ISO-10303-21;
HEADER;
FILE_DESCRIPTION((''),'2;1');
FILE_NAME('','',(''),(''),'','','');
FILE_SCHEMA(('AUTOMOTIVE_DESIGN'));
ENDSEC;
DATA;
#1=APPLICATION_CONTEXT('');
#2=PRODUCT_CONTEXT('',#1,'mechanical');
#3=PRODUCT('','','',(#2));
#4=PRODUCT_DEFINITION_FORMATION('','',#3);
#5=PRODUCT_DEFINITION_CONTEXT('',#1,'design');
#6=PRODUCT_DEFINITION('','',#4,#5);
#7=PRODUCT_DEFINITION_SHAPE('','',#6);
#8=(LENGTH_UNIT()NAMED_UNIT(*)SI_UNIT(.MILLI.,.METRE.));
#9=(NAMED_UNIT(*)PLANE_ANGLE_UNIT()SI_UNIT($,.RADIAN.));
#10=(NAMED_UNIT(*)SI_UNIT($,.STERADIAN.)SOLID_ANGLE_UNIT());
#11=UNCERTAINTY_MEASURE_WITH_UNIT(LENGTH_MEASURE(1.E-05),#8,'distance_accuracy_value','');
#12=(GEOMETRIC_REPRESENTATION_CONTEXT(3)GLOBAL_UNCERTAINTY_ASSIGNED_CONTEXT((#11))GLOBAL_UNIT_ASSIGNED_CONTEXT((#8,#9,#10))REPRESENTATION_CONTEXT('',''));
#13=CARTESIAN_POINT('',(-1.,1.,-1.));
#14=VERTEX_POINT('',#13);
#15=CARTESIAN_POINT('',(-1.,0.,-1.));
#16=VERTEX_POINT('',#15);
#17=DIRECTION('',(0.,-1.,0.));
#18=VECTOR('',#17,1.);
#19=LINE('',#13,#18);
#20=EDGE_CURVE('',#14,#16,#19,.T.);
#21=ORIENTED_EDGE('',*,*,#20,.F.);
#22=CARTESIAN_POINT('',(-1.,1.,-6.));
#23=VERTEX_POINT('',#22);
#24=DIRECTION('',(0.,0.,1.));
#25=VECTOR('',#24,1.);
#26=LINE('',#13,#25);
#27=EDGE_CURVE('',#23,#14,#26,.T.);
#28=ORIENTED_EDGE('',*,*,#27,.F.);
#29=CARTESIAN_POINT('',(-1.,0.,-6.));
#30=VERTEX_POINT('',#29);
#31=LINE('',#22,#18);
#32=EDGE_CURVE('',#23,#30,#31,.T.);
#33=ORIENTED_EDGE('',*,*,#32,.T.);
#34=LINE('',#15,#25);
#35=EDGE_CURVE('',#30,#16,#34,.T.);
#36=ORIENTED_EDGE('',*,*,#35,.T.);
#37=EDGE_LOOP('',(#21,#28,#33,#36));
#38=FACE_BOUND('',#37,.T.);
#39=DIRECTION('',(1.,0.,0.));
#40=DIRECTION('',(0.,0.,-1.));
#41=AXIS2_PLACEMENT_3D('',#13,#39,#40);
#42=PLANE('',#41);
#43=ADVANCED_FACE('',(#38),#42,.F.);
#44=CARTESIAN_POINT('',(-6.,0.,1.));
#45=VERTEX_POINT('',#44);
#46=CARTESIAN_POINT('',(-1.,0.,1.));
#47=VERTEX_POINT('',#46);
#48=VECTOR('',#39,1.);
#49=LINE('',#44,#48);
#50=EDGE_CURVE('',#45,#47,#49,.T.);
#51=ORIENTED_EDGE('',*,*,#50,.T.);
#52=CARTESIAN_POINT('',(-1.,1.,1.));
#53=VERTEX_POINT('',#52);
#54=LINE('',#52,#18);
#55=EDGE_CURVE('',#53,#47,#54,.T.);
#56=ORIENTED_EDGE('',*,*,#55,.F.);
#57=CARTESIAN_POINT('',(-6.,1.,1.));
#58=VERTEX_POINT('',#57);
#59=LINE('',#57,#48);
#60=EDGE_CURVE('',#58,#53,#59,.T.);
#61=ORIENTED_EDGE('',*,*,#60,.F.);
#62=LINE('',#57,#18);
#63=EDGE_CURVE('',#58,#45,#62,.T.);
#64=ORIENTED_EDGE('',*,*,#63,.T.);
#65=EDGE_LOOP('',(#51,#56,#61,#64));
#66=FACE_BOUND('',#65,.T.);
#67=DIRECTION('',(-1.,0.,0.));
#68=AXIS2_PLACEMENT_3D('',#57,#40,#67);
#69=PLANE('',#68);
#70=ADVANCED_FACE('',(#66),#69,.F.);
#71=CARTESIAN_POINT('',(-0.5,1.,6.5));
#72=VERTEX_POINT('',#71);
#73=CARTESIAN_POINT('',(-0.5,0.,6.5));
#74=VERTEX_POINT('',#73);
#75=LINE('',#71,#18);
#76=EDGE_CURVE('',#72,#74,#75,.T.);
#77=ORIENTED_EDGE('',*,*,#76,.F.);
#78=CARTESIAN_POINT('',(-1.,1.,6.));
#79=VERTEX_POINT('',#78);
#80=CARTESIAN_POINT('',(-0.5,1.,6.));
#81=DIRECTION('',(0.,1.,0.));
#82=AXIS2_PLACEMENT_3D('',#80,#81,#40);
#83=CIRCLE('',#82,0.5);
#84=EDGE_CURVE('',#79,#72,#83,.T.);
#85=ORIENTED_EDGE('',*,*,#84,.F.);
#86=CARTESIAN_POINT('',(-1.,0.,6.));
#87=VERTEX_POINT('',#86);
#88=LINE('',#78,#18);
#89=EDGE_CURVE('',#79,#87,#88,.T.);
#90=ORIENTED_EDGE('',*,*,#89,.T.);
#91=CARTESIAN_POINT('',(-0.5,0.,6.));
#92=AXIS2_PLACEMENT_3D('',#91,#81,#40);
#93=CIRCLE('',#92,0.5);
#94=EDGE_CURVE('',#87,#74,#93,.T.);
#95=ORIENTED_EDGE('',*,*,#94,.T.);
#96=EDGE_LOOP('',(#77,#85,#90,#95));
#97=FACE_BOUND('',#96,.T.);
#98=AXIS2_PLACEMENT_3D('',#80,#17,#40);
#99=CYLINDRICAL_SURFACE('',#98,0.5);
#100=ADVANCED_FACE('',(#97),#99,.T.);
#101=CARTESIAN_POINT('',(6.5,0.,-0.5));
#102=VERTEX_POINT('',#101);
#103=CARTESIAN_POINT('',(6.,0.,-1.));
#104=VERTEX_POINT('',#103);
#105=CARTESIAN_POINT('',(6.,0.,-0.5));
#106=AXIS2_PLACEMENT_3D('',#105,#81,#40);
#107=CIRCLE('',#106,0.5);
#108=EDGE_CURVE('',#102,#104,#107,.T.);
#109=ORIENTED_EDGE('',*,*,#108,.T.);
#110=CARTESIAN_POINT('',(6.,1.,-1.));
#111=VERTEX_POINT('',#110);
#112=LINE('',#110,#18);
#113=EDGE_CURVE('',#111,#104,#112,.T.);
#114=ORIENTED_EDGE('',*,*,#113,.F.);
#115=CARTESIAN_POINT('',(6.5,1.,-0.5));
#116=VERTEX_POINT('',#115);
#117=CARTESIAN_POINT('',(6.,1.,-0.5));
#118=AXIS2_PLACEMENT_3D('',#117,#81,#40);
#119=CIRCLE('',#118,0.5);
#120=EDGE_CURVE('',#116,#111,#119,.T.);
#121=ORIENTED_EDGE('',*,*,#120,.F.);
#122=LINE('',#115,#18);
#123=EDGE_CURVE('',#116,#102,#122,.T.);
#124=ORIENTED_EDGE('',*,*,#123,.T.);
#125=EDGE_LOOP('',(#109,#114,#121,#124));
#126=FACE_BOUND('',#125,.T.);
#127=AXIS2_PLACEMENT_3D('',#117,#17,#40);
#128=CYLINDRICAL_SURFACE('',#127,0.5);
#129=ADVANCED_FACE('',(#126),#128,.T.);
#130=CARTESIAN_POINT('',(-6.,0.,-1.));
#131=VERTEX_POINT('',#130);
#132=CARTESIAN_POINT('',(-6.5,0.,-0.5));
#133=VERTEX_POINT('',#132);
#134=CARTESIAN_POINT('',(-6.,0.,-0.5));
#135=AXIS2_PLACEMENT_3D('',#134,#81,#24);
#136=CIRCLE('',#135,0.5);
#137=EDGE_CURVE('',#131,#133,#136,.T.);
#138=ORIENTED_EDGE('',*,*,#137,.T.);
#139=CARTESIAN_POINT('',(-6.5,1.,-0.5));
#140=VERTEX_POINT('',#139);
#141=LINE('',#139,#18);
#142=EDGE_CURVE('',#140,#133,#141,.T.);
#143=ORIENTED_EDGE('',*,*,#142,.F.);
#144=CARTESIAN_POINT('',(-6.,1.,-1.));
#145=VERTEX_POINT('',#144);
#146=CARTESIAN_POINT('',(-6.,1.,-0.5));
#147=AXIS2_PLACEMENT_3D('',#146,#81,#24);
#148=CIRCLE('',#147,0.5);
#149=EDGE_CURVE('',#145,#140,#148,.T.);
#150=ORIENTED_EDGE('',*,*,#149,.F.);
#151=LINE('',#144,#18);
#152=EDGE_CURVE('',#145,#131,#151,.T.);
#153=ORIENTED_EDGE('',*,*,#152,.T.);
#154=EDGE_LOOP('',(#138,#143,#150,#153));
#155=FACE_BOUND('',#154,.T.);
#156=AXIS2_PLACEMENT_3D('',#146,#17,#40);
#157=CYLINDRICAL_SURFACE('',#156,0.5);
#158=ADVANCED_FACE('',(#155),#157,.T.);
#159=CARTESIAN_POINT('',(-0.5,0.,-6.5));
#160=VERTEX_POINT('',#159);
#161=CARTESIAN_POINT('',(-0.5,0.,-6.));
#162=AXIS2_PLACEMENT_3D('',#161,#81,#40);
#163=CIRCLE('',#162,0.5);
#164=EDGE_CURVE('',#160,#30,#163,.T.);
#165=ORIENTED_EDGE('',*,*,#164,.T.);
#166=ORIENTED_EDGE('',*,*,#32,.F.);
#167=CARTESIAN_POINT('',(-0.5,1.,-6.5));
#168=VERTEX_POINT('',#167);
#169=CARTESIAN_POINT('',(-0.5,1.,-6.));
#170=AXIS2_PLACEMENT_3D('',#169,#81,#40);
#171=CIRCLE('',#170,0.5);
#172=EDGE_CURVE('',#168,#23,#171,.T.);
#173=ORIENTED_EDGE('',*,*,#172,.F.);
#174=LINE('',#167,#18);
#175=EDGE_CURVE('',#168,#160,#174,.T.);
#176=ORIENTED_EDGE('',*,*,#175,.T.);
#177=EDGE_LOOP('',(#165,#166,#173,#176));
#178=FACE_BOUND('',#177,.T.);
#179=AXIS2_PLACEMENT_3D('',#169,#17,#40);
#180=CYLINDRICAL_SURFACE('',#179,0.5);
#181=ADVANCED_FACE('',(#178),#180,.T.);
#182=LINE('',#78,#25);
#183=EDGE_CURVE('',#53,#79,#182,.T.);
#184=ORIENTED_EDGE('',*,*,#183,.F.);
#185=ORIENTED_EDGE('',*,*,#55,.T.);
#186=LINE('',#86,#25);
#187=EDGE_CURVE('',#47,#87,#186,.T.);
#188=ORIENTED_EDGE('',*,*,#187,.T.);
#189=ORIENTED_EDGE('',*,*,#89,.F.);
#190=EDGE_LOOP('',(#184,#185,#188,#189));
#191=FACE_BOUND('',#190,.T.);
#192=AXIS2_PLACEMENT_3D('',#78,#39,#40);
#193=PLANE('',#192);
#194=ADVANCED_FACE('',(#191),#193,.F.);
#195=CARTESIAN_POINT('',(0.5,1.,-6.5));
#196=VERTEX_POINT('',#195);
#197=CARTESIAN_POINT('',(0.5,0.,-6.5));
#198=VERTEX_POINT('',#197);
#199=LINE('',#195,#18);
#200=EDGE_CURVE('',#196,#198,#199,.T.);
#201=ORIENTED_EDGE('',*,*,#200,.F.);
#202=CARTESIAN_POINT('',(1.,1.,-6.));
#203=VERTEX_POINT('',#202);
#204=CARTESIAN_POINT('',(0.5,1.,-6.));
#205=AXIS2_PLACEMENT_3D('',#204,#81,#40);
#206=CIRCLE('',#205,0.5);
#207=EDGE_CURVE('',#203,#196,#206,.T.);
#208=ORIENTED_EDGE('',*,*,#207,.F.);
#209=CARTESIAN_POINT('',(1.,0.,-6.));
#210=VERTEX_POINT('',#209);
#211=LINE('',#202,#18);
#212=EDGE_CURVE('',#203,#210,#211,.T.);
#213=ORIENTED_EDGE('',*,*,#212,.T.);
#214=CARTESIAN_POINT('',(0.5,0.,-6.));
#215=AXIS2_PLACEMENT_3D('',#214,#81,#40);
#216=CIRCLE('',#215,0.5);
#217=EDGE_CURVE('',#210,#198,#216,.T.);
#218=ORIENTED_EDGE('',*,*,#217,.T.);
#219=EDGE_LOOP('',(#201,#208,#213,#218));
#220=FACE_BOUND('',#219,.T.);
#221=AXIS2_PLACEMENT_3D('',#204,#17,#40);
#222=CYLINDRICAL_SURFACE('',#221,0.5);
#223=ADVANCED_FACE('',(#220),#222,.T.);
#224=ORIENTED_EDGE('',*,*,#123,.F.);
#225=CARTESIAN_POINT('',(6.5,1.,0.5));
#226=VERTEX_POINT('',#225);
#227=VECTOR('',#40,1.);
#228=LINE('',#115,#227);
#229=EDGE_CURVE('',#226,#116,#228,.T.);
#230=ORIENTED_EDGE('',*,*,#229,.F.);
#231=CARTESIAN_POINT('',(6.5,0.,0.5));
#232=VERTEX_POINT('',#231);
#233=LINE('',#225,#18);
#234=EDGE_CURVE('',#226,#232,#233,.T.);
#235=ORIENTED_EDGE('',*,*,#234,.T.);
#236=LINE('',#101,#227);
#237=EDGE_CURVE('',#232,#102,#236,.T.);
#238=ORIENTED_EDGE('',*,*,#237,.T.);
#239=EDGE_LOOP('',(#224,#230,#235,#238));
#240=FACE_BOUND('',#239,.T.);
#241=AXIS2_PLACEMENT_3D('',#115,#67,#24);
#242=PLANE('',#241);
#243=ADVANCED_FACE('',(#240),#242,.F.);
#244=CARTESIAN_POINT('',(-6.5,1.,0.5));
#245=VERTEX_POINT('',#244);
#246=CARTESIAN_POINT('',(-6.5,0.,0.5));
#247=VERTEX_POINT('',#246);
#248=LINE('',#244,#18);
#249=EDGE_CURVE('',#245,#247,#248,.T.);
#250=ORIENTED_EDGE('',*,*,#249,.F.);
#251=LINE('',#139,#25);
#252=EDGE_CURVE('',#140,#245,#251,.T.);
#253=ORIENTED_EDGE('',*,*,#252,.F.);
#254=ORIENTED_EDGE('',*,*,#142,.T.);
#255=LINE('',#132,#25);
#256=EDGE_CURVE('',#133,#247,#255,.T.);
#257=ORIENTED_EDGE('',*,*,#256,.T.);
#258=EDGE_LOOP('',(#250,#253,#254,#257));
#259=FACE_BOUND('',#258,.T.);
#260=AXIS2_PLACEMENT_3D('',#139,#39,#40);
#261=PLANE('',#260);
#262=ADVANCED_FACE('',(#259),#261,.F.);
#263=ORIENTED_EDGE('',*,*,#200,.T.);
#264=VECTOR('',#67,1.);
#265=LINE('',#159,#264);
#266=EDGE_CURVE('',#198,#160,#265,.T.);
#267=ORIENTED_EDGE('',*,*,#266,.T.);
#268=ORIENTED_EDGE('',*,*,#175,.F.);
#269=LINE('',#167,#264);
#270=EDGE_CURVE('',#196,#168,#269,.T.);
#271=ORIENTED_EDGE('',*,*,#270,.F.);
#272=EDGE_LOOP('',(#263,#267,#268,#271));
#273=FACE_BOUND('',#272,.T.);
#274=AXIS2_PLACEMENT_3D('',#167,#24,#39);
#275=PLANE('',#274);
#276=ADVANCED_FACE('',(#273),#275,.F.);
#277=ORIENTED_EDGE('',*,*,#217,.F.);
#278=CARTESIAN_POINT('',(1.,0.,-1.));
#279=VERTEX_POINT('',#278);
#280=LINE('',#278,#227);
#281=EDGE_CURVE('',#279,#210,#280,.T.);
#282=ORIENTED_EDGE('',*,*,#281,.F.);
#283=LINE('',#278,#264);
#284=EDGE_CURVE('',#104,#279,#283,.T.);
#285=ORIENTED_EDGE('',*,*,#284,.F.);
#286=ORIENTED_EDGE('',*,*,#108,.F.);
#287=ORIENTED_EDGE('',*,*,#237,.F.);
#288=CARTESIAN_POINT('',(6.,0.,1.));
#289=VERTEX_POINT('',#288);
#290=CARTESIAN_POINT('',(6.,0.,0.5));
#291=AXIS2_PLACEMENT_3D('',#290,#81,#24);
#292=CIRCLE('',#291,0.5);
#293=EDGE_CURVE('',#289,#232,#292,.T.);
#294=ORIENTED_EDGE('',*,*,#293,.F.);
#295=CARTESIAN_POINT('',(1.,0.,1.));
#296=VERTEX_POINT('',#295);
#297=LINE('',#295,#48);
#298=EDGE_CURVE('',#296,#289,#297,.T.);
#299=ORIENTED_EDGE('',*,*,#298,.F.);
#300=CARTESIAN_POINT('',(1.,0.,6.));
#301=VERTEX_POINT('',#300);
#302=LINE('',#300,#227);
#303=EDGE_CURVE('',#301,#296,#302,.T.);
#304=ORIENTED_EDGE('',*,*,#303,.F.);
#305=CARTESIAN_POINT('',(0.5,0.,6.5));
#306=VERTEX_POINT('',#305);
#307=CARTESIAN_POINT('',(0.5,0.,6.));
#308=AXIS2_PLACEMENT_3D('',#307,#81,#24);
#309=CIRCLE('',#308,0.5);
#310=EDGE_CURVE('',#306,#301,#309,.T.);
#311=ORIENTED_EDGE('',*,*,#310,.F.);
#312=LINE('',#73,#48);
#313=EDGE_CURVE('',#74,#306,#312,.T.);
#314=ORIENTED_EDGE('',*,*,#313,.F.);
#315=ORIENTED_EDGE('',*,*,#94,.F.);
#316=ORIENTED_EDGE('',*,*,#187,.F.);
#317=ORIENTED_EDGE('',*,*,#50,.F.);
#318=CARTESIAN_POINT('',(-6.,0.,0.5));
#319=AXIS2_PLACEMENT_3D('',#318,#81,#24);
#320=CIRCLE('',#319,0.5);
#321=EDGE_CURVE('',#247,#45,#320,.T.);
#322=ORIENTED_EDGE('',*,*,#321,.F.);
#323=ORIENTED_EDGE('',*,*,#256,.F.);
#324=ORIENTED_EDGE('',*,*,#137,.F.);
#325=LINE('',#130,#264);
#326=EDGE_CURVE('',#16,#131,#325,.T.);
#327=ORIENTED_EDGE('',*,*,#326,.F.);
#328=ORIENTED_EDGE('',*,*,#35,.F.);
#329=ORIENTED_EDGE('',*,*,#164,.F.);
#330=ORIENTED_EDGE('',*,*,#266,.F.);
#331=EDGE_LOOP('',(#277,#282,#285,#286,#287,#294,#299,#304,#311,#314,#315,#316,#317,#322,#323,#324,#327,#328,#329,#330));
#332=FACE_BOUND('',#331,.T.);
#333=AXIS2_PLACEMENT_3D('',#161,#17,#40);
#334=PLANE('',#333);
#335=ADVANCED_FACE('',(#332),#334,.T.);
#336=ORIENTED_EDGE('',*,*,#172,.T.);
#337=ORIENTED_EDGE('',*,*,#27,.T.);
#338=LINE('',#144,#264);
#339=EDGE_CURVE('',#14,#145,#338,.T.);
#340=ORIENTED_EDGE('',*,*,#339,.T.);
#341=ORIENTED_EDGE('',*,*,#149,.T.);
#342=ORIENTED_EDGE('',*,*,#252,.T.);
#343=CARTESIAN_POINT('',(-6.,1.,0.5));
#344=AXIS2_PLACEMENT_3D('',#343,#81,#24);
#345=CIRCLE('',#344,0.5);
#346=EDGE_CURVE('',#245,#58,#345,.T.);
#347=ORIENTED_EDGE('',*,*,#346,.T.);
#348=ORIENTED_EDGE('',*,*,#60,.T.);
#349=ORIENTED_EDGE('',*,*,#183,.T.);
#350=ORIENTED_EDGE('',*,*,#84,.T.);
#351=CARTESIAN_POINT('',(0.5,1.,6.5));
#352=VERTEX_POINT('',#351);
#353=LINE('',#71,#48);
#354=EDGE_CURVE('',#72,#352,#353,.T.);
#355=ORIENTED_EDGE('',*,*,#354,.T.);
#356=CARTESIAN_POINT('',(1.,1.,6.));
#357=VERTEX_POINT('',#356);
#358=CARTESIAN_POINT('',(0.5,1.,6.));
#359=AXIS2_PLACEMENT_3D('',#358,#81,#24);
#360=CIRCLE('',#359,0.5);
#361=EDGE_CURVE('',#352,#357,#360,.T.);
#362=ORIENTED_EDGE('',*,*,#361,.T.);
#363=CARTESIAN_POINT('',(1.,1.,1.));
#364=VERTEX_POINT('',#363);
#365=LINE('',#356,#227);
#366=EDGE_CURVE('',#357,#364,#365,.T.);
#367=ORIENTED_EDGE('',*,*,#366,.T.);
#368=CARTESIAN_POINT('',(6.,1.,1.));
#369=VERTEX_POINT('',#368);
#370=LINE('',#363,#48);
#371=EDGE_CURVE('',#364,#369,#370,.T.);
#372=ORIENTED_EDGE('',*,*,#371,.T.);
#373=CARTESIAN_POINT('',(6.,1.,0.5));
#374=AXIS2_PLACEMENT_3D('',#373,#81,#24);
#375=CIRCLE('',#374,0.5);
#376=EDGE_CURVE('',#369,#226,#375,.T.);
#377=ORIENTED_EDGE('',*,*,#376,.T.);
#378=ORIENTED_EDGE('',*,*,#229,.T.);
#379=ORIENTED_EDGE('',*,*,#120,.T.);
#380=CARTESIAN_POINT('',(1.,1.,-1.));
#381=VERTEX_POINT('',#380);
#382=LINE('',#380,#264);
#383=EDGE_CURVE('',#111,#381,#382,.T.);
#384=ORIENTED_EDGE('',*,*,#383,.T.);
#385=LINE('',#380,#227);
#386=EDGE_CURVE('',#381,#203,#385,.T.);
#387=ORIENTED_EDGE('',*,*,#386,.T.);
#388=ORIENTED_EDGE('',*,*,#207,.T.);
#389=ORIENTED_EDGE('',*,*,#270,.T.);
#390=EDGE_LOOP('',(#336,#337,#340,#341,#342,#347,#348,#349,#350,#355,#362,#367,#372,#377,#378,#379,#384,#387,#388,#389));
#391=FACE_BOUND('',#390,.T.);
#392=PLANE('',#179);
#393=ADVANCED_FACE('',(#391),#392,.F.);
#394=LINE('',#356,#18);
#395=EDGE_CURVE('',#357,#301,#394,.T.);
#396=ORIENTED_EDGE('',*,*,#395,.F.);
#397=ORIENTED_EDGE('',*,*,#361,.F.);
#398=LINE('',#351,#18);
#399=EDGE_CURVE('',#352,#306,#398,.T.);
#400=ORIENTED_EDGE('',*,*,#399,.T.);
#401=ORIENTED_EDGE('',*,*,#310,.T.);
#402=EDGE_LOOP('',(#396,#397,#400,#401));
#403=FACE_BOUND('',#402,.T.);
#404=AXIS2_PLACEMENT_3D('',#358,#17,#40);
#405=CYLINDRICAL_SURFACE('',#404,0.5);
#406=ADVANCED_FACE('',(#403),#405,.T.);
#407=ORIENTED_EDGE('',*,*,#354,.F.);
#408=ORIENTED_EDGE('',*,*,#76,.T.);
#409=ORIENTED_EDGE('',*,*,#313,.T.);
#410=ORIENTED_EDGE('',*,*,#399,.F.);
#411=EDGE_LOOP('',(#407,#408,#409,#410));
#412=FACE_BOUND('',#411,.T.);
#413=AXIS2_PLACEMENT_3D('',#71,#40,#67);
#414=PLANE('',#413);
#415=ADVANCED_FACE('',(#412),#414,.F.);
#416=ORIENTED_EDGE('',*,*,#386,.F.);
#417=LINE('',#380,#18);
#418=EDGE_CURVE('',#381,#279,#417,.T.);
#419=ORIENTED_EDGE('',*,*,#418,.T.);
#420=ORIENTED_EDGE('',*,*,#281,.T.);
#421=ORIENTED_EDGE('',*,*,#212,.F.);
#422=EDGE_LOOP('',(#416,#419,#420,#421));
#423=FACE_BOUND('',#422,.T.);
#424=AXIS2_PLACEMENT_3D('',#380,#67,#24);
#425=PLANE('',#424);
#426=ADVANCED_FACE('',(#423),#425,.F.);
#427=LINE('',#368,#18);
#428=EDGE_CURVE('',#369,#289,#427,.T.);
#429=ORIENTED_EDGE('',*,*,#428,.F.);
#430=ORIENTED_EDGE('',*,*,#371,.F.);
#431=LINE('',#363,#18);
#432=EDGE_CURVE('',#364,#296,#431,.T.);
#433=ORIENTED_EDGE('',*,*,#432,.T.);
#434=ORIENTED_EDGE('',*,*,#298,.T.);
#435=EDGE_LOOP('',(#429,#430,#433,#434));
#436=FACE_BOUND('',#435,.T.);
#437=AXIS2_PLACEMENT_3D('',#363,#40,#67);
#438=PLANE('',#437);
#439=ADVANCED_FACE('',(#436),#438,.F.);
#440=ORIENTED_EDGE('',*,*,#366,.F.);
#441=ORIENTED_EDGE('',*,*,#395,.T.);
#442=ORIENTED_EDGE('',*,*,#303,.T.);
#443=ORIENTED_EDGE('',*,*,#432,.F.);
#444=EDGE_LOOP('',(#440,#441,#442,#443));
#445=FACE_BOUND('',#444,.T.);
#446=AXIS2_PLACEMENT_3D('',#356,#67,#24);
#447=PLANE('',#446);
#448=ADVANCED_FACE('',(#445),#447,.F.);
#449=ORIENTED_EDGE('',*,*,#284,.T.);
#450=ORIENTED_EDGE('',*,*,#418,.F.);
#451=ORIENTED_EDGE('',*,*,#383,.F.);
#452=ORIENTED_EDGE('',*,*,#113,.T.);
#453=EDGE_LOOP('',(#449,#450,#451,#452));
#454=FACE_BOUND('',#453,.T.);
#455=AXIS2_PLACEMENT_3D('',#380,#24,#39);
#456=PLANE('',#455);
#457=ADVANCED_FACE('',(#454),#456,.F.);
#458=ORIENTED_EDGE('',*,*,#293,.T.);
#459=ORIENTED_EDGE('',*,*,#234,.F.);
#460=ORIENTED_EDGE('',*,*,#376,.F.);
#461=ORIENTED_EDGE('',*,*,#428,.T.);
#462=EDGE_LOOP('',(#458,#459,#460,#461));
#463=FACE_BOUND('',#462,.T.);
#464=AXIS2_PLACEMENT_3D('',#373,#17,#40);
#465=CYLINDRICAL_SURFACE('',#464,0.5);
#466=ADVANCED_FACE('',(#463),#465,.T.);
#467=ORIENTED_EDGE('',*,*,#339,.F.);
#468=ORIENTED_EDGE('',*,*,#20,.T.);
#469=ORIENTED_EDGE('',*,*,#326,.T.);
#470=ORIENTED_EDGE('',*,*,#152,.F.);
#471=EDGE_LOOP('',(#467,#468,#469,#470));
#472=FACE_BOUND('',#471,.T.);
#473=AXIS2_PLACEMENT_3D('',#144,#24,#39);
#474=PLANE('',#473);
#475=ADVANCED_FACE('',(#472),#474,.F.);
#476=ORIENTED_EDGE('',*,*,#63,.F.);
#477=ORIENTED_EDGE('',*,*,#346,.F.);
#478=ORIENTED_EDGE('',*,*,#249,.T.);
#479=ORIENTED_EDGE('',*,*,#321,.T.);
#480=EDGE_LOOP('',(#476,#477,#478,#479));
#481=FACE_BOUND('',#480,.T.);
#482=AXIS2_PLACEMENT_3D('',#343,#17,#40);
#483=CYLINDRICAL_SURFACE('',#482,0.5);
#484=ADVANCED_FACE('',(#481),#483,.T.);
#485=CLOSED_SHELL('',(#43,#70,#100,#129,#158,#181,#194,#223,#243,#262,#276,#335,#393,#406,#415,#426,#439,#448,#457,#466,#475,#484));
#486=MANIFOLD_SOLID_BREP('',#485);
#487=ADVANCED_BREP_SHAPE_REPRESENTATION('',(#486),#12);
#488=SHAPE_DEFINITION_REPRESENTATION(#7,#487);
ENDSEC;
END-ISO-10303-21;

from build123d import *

# Parameters (mm, degrees)
BOSS_EXTRUDE1_DEPTH = 1


with BuildPart() as part:
    # Sketch2 → Boss-Extrude1 (new body)
    with BuildSketch(Plane(origin=(0, 0, 0), x_dir=(1, 0, 0), z_dir=(0, 1, 0))):
        with BuildLine():
            Line((-6, 1), (-1, 1))
            Line((-1, 1), (-1, 6))
            ThreePointArc((-1, 6), (-0.853553391, 6.353553391), (-0.5, 6.5))
            Line((-0.5, 6.5), (0.5, 6.5))
            ThreePointArc((0.5, 6.5), (0.853553391, 6.353553391), (1, 6))
            Line((1, 6), (1, 1))
            Line((1, 1), (6, 1))
            ThreePointArc((6, 1), (6.353553391, 0.853553391), (6.5, 0.5))
            Line((6.5, 0.5), (6.5, -0.5))
            ThreePointArc((6.5, -0.5), (6.353553391, -0.853553391), (6, -1))
            Line((6, -1), (1, -1))
            Line((1, -1), (1, -6))
            ThreePointArc((1, -6), (0.853553391, -6.353553391), (0.5, -6.5))
            Line((0.5, -6.5), (-0.5, -6.5))
            ThreePointArc((-0.5, -6.5), (-0.853553391, -6.353553391), (-1, -6))
            Line((-1, -6), (-1, -1))
            Line((-1, -1), (-6, -1))
            ThreePointArc((-6, -1), (-6.353553391, -0.853553391), (-6.5, -0.5))
            Line((-6.5, -0.5), (-6.5, 0.5))
            ThreePointArc((-6.5, 0.5), (-6.353553391, 0.853553391), (-6, 1))
        make_face()
    extrude(amount=BOSS_EXTRUDE1_DEPTH)


solid = part.part
